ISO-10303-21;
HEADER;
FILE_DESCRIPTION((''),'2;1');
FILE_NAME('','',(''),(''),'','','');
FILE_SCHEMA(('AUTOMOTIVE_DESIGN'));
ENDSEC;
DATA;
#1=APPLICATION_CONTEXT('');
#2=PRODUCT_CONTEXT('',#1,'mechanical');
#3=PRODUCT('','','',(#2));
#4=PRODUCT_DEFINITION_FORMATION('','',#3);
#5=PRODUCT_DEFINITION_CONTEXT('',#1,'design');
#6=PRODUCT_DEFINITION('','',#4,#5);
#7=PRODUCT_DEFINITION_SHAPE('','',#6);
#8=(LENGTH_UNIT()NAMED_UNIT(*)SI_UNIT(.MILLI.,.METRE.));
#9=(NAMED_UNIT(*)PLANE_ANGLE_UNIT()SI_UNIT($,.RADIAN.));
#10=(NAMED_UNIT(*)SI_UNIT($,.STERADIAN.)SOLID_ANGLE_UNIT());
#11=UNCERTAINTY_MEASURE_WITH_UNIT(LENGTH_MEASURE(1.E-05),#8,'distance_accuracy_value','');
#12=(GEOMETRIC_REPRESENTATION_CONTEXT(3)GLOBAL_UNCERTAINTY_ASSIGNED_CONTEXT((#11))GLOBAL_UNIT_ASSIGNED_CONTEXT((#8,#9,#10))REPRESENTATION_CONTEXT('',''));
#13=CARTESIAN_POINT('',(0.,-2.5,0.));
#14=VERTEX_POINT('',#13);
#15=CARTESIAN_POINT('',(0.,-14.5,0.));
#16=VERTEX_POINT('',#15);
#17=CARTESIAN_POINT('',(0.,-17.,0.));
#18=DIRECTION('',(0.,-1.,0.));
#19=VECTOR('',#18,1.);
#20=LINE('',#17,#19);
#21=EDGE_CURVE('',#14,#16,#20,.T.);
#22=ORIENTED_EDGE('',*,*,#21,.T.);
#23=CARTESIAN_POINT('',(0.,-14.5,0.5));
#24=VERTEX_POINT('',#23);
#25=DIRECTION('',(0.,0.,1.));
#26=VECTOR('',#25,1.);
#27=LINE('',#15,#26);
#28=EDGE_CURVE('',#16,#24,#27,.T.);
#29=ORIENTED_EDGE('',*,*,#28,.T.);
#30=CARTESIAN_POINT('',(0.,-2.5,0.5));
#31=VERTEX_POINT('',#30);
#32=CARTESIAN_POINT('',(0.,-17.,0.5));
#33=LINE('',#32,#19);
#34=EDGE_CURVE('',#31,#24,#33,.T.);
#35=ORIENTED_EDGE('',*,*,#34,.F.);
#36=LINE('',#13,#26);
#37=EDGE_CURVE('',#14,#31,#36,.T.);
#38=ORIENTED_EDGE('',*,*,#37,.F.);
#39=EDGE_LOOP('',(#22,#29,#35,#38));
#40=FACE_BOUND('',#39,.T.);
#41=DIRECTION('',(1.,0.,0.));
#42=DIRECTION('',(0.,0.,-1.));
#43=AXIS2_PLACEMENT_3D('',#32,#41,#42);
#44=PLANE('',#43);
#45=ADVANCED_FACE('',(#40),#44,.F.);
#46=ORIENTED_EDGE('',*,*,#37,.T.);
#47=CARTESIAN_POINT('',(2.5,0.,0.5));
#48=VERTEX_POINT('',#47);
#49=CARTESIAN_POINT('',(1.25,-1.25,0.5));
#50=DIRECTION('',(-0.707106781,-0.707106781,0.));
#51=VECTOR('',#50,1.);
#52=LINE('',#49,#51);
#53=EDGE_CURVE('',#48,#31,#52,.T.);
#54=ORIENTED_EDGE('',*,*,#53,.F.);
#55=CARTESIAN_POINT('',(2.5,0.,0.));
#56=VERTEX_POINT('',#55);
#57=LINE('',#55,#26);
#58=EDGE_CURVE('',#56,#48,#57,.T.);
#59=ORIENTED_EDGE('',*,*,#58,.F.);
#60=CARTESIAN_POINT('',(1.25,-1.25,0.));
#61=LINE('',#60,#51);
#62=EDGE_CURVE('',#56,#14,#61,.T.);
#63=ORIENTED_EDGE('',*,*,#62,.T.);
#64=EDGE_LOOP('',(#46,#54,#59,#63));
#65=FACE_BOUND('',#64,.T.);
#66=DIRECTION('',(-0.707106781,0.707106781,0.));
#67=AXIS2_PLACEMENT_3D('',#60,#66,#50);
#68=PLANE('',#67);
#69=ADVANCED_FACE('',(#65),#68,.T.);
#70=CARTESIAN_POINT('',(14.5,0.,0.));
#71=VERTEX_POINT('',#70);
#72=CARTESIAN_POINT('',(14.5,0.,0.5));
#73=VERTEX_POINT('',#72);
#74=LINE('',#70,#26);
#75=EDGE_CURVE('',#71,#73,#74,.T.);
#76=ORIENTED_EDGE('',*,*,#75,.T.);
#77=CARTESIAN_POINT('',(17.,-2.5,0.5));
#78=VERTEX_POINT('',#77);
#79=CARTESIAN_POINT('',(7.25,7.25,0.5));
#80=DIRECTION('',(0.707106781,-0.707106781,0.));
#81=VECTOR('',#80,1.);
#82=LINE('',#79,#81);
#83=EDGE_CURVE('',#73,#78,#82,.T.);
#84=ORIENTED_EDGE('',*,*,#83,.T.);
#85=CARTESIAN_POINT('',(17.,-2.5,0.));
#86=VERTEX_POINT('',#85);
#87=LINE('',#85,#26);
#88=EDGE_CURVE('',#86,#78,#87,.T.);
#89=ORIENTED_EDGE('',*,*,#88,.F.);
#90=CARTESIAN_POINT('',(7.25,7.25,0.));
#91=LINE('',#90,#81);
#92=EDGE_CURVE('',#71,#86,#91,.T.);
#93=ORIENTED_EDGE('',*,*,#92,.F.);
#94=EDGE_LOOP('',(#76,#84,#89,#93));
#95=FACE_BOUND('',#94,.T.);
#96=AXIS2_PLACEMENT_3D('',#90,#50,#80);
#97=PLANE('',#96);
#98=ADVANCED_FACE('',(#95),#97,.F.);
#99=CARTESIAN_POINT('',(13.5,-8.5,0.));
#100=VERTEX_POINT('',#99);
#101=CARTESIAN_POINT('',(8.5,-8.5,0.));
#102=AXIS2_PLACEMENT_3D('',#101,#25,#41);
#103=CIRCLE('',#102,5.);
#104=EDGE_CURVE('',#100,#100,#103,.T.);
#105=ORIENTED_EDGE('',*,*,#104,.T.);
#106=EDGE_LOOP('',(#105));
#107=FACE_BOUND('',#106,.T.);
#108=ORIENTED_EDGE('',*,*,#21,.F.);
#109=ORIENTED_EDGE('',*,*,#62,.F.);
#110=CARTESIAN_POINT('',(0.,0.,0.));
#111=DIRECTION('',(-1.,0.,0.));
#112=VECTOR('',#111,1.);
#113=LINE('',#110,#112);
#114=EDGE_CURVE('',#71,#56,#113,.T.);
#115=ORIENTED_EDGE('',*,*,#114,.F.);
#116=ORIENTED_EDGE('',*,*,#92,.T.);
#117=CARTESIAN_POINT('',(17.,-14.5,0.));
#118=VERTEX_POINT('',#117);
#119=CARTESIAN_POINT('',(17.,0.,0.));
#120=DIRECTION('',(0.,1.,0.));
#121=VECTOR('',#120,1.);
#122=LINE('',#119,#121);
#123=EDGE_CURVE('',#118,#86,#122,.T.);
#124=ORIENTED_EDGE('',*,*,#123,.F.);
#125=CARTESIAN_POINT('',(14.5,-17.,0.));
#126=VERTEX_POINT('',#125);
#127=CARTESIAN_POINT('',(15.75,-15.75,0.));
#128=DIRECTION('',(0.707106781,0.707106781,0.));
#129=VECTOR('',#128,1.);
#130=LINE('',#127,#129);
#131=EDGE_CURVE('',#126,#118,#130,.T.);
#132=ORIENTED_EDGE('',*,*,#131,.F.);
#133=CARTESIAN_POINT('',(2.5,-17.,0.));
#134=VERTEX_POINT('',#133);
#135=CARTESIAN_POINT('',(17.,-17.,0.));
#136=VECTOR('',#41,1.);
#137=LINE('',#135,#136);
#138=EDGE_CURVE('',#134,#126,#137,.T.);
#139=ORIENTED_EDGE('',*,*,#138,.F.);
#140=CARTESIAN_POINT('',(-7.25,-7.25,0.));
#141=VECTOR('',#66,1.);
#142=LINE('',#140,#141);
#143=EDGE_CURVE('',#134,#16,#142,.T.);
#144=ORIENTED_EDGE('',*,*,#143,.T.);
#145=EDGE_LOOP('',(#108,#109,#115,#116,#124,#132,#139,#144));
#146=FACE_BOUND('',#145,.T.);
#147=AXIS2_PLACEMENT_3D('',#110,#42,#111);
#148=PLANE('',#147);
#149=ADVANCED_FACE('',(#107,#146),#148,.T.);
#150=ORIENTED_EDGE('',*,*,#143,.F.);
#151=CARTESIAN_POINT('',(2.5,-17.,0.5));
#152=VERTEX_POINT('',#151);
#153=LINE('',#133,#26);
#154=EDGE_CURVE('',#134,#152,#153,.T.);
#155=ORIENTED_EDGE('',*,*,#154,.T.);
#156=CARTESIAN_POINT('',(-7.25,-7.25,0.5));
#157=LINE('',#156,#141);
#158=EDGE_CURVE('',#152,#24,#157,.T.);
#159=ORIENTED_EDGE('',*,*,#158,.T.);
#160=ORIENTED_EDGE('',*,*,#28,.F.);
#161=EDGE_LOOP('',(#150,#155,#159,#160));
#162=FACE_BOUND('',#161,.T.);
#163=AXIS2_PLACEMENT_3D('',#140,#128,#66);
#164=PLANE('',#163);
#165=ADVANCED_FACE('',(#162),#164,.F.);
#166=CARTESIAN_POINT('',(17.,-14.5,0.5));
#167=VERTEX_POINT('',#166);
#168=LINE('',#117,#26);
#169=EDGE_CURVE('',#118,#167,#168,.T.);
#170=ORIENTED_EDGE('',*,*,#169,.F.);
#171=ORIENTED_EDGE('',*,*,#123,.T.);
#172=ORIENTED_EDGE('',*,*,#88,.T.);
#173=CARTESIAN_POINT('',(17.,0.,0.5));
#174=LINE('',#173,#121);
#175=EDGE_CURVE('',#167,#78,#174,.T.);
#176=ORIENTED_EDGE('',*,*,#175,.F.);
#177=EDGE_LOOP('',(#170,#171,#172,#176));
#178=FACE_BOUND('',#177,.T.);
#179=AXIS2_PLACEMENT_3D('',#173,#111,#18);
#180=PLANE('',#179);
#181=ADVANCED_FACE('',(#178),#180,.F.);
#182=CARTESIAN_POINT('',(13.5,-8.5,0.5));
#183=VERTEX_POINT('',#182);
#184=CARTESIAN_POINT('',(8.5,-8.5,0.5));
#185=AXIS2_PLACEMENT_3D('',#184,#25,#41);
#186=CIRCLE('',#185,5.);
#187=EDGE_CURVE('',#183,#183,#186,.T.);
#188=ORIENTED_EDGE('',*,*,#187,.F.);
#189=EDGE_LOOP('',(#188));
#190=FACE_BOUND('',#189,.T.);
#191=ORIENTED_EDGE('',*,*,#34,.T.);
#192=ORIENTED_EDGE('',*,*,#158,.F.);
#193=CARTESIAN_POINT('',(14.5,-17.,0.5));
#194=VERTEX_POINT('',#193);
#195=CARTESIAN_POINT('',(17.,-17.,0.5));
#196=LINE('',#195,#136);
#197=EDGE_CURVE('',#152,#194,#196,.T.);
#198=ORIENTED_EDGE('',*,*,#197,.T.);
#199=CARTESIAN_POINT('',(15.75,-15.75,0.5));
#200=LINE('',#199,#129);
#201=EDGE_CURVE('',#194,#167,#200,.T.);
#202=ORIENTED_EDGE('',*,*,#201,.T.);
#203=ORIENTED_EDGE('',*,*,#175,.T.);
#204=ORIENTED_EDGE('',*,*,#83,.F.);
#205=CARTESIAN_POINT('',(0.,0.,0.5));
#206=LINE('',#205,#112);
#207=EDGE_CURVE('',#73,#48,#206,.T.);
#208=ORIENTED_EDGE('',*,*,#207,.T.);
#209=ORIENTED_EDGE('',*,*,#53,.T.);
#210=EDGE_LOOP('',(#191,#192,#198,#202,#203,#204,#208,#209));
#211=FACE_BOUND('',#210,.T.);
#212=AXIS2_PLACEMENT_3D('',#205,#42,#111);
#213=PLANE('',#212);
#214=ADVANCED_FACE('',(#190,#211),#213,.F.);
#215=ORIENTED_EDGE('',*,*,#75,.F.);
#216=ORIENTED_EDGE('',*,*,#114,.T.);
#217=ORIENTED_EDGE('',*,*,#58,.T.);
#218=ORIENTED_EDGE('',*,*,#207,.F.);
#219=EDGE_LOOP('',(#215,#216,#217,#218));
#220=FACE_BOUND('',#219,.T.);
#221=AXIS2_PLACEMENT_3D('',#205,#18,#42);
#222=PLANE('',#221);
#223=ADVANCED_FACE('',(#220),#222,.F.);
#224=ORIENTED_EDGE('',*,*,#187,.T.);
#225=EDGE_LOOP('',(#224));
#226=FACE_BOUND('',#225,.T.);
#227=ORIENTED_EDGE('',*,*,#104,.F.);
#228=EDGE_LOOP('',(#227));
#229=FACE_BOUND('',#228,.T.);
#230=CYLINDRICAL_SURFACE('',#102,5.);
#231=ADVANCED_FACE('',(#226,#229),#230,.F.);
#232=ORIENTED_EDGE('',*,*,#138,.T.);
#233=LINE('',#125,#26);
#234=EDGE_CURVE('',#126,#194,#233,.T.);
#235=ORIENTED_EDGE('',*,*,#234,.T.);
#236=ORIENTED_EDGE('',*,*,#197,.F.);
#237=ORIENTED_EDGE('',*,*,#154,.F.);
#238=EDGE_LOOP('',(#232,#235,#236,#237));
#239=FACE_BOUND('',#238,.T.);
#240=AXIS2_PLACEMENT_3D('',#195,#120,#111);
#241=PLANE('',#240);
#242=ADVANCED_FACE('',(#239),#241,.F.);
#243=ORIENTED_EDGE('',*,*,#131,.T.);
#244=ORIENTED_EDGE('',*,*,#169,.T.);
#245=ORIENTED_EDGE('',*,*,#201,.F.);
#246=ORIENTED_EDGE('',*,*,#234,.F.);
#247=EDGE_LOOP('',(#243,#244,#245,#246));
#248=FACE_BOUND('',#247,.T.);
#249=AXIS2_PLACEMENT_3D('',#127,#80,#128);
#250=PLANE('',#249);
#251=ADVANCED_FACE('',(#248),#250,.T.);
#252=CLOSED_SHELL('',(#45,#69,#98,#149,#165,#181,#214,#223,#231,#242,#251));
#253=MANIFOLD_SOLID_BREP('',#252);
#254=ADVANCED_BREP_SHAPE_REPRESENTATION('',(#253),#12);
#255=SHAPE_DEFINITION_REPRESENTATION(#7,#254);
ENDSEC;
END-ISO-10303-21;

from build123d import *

# Parameters (mm, degrees)
SKETCH3_W           = 17
SKETCH3_H           = 17
BOSS_EXTRUDE1_DEPTH = 0.5
SKETCH4_R           = 5
CUT_EXTRUDE1_DEPTH  = 25.046829313


with BuildPart() as part:
    # Sketch3 → Boss-Extrude1 (new body)
    with BuildSketch(Plane.XY):
        with Locations((8.5, -8.5)):
            Rectangle(SKETCH3_W, SKETCH3_H)
    extrude(amount=BOSS_EXTRUDE1_DEPTH)

    # Sketch4 → Cut-Extrude1 (cut, through all)
    with BuildSketch(Plane.XY.offset(0.5)):
        with Locations((8.5, -8.5)):
            Circle(SKETCH4_R)
        Polygon((17, 0), (14.5, 0), (17, -2.5), align=None)
        Polygon((0, -2.5), (2.5, 0), (0, 0), align=None)
        Polygon((2.5, -17), (0, -14.5), (0, -17), align=None)
        Polygon((17, -17), (17, -14.5), (14.5, -17), align=None)
    extrude(amount=-CUT_EXTRUDE1_DEPTH, mode=Mode.SUBTRACT)


solid = part.part
